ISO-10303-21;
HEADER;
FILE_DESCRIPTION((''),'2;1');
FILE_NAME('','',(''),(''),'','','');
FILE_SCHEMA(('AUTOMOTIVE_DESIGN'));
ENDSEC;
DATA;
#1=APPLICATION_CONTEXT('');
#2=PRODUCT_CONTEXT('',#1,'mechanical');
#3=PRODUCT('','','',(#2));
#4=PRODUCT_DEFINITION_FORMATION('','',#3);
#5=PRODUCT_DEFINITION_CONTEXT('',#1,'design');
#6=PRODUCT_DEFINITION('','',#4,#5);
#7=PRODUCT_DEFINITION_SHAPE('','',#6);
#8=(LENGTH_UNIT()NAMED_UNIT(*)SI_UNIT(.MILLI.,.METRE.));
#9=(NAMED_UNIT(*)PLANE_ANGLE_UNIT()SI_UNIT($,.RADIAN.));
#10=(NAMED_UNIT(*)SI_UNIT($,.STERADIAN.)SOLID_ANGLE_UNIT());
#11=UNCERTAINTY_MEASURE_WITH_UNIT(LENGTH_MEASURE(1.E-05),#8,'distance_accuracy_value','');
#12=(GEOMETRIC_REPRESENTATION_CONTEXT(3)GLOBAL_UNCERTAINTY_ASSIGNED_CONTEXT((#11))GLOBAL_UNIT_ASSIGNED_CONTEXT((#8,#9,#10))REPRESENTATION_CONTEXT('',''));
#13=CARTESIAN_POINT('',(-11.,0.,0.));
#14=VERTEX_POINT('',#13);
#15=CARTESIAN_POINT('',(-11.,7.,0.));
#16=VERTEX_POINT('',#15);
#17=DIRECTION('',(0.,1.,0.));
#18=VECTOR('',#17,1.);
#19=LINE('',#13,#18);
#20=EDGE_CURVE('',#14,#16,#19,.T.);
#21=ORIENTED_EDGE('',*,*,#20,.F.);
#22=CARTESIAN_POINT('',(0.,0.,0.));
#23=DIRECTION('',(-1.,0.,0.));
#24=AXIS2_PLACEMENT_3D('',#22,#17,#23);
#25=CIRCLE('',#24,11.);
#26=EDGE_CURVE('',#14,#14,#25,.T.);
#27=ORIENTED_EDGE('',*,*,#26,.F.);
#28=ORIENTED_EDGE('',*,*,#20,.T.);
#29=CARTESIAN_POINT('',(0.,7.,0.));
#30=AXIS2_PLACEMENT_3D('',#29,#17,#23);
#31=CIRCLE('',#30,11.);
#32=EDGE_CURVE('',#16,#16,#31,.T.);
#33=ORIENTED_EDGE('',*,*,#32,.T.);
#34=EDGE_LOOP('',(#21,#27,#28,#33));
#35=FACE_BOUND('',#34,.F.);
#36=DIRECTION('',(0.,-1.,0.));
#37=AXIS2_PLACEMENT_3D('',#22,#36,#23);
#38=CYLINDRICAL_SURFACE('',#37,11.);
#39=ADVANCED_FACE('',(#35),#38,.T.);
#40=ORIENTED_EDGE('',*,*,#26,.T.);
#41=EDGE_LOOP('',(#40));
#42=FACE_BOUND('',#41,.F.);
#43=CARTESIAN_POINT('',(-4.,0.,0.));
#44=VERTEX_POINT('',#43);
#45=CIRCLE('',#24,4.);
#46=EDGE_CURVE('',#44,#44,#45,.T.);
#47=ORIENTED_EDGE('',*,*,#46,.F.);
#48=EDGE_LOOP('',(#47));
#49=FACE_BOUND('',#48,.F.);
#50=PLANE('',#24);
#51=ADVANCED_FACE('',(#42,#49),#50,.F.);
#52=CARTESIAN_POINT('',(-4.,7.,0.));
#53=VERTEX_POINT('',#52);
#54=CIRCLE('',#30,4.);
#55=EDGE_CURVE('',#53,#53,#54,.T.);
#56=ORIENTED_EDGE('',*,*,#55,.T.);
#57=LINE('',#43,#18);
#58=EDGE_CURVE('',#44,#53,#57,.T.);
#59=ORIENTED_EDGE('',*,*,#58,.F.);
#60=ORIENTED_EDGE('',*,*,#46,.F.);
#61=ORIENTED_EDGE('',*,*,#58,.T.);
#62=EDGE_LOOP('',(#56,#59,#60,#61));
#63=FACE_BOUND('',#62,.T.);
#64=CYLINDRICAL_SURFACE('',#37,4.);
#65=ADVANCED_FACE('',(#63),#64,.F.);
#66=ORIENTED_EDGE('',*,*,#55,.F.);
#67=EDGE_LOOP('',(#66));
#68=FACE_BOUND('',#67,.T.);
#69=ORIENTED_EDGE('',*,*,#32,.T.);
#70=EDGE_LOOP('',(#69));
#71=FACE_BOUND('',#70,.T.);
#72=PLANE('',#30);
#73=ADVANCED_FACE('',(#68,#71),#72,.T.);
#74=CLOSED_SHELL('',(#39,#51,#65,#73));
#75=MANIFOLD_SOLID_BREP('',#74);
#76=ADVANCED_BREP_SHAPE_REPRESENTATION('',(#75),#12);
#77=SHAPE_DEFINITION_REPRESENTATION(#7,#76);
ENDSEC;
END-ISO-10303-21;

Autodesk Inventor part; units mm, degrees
ref_plane "YZ Plane" through (0, 0, 0) normal (1, 0, 0) x (0, 1, 0)
ref_plane "XZ Plane" through (0, 0, 0) normal (0, 1, 0) x (-1, 0, 0)
ref_plane "XY Plane" through (0, 0, 0) normal (0, 0, 1) x (1, 0, 0)
sketch "Sketch2" plane through (0, 0, 0) normal (0, 1, 0) x (-1, 0, 0)
  circle A0 centre (0, 0) radius 4
  circle A1 centre (0, 0) radius 11
  dimension "d21" = 8
  dimension "d22" = 22
extrude "Extrusion1" add sketch "Sketch2" along normal blind 7
properties part number "std_bearing"
